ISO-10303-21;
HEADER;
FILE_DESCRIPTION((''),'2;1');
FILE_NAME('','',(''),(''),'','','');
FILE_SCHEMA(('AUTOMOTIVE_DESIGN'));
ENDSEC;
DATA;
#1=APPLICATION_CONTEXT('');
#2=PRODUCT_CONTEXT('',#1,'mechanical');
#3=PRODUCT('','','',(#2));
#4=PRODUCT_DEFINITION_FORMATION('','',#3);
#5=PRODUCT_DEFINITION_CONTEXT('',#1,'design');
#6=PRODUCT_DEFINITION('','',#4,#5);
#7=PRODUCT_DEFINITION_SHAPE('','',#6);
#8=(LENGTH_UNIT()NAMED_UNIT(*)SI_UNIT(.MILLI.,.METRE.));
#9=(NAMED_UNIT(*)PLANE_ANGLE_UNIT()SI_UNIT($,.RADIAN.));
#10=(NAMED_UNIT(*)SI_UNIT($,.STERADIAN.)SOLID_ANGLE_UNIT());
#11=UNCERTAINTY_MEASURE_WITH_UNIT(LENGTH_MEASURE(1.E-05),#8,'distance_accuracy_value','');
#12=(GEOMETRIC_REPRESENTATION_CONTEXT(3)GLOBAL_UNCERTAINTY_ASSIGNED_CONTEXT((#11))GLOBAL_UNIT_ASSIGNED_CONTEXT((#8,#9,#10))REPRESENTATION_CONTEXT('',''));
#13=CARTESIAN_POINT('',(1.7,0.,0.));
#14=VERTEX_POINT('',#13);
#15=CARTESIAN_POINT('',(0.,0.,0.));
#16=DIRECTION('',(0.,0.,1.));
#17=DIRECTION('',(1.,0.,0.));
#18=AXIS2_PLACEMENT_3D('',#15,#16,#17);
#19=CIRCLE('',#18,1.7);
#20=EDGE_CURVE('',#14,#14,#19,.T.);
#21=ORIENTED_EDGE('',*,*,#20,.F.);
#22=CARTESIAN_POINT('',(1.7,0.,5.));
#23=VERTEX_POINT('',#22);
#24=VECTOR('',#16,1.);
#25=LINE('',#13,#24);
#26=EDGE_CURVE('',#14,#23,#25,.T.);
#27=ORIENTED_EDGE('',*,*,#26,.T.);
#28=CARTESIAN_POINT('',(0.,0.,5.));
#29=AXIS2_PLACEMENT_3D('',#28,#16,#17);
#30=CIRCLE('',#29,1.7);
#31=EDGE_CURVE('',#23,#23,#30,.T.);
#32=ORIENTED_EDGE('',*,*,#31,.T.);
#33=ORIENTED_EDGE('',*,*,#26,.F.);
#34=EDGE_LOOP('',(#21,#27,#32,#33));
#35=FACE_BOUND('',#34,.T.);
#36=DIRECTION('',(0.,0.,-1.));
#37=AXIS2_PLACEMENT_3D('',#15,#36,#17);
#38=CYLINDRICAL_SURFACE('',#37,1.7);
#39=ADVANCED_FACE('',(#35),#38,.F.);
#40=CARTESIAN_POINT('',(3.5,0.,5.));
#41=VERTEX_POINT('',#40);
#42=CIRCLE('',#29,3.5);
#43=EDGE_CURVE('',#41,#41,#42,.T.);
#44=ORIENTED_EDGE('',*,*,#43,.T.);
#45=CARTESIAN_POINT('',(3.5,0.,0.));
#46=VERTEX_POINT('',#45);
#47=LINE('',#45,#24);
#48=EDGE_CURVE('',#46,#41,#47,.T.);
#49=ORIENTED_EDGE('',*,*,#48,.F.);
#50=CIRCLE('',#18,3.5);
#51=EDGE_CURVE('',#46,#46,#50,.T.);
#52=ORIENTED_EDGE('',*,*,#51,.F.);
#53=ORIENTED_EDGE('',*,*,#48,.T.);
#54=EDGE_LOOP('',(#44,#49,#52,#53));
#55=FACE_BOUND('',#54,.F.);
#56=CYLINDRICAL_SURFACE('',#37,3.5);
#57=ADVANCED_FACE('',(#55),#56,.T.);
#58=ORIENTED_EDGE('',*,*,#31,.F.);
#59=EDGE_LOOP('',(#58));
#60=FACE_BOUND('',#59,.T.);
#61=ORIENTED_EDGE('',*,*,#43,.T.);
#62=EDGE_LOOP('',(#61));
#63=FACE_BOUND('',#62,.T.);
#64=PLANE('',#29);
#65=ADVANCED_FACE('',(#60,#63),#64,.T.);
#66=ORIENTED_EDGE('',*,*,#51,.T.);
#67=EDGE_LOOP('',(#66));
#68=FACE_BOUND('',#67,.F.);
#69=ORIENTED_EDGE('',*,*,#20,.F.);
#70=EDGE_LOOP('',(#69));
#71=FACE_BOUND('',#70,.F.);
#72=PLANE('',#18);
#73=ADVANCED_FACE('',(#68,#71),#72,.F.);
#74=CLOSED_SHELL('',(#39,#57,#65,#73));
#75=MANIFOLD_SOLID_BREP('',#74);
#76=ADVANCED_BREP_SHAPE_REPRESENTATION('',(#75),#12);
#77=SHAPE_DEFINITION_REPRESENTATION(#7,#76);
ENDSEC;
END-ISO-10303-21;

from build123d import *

# Parameters (mm, degrees)
CYLINDER032_R     = 1.7
CYLINDER032_DEPTH = 5
CYLINDER033_R     = 3.5
CYLINDER033_DEPTH = 5


with BuildPart() as cylinder032:
    # Cylinder032 → Cylinder032 (new body)
    with BuildSketch(Plane.XY):
        Circle(CYLINDER032_R)
    extrude(amount=CYLINDER032_DEPTH)


with BuildPart() as top_spacer:
    # Cylinder033 → Cylinder033 (new body)
    with BuildSketch(Plane.XY):
        Circle(CYLINDER033_R)
    extrude(amount=CYLINDER033_DEPTH)

    # Cut028006004005011004003001010002020: cut Cylinder032
    add(cylinder032.part, mode=Mode.SUBTRACT)


solid = top_spacer.part
